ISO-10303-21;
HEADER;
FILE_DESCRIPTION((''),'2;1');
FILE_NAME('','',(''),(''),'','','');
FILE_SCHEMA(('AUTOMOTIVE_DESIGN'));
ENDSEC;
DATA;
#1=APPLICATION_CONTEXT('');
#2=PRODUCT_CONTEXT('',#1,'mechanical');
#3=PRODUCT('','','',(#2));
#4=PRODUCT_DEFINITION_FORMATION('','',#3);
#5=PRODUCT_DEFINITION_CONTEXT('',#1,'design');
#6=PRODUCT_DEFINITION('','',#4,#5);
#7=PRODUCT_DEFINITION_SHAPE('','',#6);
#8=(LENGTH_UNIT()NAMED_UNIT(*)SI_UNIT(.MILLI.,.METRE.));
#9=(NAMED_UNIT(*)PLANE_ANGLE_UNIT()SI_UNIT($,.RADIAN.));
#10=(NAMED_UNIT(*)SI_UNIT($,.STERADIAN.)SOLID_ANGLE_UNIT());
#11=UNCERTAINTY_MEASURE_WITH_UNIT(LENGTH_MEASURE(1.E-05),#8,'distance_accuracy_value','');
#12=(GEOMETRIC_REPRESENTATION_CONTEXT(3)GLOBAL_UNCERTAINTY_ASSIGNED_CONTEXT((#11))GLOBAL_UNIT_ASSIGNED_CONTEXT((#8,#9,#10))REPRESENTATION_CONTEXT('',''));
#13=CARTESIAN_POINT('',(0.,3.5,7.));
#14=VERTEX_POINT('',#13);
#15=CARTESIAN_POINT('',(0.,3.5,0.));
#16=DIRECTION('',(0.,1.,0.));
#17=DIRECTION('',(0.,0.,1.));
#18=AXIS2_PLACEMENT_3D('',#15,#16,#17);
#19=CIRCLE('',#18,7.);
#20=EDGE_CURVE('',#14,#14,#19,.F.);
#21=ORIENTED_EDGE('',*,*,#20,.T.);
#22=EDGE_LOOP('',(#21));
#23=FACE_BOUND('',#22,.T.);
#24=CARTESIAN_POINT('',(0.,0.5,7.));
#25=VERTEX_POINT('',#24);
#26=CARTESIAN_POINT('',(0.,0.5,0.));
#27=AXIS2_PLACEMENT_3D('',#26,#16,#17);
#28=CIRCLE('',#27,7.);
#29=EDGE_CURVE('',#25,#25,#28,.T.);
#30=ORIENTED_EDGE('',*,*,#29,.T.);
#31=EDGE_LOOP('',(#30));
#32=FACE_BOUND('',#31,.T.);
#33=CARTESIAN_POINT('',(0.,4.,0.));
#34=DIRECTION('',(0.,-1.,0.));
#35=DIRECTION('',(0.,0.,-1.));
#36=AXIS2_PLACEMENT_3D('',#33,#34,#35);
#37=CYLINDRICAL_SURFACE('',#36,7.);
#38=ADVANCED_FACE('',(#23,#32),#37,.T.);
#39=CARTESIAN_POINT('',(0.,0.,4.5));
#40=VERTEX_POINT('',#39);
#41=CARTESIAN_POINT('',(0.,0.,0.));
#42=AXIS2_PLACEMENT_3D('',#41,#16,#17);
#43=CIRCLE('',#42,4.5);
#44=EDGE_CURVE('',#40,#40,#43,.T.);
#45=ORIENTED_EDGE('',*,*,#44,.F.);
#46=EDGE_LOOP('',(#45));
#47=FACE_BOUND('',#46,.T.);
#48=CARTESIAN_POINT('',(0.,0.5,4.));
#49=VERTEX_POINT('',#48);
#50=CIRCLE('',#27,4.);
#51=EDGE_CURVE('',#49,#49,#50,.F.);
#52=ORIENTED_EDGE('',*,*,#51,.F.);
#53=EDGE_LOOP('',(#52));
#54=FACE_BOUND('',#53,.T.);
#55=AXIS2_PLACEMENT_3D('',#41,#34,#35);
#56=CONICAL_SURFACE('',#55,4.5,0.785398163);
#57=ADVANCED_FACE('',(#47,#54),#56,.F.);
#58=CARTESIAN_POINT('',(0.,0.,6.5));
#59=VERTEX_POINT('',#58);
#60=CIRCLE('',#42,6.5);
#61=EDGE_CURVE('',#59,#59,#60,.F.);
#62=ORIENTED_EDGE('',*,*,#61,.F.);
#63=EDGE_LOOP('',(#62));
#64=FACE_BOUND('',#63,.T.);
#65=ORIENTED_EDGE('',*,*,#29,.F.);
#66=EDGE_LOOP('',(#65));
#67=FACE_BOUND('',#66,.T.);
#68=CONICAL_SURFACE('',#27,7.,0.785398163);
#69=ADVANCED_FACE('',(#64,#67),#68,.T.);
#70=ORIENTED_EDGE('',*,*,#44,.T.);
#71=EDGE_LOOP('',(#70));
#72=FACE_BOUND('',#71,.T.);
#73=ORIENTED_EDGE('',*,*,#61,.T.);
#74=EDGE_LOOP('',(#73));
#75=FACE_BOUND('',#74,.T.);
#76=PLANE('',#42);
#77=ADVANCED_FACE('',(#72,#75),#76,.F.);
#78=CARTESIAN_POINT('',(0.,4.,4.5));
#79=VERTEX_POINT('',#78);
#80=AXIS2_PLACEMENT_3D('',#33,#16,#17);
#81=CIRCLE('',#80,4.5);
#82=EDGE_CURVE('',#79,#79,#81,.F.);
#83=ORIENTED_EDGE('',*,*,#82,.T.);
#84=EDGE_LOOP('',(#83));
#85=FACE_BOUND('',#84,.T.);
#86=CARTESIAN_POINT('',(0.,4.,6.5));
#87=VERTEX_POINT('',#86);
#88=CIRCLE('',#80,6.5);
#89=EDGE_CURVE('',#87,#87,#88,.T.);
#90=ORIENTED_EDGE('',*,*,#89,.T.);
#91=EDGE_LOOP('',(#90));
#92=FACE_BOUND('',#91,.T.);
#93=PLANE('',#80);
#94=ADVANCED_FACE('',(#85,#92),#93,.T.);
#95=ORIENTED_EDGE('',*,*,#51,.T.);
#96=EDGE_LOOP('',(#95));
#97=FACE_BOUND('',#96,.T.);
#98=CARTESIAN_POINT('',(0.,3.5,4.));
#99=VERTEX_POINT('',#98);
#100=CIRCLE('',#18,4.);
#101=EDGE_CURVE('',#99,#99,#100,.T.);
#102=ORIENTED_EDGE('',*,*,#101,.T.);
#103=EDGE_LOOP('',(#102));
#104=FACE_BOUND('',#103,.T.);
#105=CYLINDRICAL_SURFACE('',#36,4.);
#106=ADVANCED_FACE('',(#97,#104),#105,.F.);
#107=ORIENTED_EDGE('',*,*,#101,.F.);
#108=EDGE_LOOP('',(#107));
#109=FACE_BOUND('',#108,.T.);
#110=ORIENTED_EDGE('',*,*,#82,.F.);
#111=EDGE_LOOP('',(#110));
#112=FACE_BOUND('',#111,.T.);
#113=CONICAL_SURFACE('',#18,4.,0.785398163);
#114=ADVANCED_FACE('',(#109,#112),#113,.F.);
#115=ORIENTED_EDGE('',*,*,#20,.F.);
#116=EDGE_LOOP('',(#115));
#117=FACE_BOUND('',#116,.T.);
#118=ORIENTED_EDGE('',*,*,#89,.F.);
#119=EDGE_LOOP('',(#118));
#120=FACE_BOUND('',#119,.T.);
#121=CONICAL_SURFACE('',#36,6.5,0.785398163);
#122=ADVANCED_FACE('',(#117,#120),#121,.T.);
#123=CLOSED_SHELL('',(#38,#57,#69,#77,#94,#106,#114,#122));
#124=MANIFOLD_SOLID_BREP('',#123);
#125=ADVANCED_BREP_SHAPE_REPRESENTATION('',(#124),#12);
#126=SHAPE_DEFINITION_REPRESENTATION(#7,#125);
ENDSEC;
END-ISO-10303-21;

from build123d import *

# Parameters (mm, degrees)
SKETCH1_R           = 7
SKETCH1_R_2         = 4
BOSS_EXTRUDE1_DEPTH = 4
CHAMFER1_SIZE       = 0.5


with BuildPart() as part:
    # Sketch1 → Boss-Extrude1 (new body)
    with BuildSketch(Plane(origin=(0, 0, 0), x_dir=(1, 0, 0), z_dir=(0, 1, 0))):
        with Locations(Location((0, 0, 0), (0, 0, 270))):
            Circle(SKETCH1_R)
        with Locations(Location((0, 0, 0), (0, 0, 270))):
            Circle(SKETCH1_R_2, mode=Mode.SUBTRACT)
    extrude(amount=BOSS_EXTRUDE1_DEPTH)

    # Chamfer1
    chamfer1_edges = [part.edges().sort_by_distance(p)[0] for p in [
        (0, 0, -7),
        (0, 4, -7),
        (0, 0, -4),
        (0, 4, -4),
    ]]
    chamfer(chamfer1_edges, length=CHAMFER1_SIZE)


solid = part.part
